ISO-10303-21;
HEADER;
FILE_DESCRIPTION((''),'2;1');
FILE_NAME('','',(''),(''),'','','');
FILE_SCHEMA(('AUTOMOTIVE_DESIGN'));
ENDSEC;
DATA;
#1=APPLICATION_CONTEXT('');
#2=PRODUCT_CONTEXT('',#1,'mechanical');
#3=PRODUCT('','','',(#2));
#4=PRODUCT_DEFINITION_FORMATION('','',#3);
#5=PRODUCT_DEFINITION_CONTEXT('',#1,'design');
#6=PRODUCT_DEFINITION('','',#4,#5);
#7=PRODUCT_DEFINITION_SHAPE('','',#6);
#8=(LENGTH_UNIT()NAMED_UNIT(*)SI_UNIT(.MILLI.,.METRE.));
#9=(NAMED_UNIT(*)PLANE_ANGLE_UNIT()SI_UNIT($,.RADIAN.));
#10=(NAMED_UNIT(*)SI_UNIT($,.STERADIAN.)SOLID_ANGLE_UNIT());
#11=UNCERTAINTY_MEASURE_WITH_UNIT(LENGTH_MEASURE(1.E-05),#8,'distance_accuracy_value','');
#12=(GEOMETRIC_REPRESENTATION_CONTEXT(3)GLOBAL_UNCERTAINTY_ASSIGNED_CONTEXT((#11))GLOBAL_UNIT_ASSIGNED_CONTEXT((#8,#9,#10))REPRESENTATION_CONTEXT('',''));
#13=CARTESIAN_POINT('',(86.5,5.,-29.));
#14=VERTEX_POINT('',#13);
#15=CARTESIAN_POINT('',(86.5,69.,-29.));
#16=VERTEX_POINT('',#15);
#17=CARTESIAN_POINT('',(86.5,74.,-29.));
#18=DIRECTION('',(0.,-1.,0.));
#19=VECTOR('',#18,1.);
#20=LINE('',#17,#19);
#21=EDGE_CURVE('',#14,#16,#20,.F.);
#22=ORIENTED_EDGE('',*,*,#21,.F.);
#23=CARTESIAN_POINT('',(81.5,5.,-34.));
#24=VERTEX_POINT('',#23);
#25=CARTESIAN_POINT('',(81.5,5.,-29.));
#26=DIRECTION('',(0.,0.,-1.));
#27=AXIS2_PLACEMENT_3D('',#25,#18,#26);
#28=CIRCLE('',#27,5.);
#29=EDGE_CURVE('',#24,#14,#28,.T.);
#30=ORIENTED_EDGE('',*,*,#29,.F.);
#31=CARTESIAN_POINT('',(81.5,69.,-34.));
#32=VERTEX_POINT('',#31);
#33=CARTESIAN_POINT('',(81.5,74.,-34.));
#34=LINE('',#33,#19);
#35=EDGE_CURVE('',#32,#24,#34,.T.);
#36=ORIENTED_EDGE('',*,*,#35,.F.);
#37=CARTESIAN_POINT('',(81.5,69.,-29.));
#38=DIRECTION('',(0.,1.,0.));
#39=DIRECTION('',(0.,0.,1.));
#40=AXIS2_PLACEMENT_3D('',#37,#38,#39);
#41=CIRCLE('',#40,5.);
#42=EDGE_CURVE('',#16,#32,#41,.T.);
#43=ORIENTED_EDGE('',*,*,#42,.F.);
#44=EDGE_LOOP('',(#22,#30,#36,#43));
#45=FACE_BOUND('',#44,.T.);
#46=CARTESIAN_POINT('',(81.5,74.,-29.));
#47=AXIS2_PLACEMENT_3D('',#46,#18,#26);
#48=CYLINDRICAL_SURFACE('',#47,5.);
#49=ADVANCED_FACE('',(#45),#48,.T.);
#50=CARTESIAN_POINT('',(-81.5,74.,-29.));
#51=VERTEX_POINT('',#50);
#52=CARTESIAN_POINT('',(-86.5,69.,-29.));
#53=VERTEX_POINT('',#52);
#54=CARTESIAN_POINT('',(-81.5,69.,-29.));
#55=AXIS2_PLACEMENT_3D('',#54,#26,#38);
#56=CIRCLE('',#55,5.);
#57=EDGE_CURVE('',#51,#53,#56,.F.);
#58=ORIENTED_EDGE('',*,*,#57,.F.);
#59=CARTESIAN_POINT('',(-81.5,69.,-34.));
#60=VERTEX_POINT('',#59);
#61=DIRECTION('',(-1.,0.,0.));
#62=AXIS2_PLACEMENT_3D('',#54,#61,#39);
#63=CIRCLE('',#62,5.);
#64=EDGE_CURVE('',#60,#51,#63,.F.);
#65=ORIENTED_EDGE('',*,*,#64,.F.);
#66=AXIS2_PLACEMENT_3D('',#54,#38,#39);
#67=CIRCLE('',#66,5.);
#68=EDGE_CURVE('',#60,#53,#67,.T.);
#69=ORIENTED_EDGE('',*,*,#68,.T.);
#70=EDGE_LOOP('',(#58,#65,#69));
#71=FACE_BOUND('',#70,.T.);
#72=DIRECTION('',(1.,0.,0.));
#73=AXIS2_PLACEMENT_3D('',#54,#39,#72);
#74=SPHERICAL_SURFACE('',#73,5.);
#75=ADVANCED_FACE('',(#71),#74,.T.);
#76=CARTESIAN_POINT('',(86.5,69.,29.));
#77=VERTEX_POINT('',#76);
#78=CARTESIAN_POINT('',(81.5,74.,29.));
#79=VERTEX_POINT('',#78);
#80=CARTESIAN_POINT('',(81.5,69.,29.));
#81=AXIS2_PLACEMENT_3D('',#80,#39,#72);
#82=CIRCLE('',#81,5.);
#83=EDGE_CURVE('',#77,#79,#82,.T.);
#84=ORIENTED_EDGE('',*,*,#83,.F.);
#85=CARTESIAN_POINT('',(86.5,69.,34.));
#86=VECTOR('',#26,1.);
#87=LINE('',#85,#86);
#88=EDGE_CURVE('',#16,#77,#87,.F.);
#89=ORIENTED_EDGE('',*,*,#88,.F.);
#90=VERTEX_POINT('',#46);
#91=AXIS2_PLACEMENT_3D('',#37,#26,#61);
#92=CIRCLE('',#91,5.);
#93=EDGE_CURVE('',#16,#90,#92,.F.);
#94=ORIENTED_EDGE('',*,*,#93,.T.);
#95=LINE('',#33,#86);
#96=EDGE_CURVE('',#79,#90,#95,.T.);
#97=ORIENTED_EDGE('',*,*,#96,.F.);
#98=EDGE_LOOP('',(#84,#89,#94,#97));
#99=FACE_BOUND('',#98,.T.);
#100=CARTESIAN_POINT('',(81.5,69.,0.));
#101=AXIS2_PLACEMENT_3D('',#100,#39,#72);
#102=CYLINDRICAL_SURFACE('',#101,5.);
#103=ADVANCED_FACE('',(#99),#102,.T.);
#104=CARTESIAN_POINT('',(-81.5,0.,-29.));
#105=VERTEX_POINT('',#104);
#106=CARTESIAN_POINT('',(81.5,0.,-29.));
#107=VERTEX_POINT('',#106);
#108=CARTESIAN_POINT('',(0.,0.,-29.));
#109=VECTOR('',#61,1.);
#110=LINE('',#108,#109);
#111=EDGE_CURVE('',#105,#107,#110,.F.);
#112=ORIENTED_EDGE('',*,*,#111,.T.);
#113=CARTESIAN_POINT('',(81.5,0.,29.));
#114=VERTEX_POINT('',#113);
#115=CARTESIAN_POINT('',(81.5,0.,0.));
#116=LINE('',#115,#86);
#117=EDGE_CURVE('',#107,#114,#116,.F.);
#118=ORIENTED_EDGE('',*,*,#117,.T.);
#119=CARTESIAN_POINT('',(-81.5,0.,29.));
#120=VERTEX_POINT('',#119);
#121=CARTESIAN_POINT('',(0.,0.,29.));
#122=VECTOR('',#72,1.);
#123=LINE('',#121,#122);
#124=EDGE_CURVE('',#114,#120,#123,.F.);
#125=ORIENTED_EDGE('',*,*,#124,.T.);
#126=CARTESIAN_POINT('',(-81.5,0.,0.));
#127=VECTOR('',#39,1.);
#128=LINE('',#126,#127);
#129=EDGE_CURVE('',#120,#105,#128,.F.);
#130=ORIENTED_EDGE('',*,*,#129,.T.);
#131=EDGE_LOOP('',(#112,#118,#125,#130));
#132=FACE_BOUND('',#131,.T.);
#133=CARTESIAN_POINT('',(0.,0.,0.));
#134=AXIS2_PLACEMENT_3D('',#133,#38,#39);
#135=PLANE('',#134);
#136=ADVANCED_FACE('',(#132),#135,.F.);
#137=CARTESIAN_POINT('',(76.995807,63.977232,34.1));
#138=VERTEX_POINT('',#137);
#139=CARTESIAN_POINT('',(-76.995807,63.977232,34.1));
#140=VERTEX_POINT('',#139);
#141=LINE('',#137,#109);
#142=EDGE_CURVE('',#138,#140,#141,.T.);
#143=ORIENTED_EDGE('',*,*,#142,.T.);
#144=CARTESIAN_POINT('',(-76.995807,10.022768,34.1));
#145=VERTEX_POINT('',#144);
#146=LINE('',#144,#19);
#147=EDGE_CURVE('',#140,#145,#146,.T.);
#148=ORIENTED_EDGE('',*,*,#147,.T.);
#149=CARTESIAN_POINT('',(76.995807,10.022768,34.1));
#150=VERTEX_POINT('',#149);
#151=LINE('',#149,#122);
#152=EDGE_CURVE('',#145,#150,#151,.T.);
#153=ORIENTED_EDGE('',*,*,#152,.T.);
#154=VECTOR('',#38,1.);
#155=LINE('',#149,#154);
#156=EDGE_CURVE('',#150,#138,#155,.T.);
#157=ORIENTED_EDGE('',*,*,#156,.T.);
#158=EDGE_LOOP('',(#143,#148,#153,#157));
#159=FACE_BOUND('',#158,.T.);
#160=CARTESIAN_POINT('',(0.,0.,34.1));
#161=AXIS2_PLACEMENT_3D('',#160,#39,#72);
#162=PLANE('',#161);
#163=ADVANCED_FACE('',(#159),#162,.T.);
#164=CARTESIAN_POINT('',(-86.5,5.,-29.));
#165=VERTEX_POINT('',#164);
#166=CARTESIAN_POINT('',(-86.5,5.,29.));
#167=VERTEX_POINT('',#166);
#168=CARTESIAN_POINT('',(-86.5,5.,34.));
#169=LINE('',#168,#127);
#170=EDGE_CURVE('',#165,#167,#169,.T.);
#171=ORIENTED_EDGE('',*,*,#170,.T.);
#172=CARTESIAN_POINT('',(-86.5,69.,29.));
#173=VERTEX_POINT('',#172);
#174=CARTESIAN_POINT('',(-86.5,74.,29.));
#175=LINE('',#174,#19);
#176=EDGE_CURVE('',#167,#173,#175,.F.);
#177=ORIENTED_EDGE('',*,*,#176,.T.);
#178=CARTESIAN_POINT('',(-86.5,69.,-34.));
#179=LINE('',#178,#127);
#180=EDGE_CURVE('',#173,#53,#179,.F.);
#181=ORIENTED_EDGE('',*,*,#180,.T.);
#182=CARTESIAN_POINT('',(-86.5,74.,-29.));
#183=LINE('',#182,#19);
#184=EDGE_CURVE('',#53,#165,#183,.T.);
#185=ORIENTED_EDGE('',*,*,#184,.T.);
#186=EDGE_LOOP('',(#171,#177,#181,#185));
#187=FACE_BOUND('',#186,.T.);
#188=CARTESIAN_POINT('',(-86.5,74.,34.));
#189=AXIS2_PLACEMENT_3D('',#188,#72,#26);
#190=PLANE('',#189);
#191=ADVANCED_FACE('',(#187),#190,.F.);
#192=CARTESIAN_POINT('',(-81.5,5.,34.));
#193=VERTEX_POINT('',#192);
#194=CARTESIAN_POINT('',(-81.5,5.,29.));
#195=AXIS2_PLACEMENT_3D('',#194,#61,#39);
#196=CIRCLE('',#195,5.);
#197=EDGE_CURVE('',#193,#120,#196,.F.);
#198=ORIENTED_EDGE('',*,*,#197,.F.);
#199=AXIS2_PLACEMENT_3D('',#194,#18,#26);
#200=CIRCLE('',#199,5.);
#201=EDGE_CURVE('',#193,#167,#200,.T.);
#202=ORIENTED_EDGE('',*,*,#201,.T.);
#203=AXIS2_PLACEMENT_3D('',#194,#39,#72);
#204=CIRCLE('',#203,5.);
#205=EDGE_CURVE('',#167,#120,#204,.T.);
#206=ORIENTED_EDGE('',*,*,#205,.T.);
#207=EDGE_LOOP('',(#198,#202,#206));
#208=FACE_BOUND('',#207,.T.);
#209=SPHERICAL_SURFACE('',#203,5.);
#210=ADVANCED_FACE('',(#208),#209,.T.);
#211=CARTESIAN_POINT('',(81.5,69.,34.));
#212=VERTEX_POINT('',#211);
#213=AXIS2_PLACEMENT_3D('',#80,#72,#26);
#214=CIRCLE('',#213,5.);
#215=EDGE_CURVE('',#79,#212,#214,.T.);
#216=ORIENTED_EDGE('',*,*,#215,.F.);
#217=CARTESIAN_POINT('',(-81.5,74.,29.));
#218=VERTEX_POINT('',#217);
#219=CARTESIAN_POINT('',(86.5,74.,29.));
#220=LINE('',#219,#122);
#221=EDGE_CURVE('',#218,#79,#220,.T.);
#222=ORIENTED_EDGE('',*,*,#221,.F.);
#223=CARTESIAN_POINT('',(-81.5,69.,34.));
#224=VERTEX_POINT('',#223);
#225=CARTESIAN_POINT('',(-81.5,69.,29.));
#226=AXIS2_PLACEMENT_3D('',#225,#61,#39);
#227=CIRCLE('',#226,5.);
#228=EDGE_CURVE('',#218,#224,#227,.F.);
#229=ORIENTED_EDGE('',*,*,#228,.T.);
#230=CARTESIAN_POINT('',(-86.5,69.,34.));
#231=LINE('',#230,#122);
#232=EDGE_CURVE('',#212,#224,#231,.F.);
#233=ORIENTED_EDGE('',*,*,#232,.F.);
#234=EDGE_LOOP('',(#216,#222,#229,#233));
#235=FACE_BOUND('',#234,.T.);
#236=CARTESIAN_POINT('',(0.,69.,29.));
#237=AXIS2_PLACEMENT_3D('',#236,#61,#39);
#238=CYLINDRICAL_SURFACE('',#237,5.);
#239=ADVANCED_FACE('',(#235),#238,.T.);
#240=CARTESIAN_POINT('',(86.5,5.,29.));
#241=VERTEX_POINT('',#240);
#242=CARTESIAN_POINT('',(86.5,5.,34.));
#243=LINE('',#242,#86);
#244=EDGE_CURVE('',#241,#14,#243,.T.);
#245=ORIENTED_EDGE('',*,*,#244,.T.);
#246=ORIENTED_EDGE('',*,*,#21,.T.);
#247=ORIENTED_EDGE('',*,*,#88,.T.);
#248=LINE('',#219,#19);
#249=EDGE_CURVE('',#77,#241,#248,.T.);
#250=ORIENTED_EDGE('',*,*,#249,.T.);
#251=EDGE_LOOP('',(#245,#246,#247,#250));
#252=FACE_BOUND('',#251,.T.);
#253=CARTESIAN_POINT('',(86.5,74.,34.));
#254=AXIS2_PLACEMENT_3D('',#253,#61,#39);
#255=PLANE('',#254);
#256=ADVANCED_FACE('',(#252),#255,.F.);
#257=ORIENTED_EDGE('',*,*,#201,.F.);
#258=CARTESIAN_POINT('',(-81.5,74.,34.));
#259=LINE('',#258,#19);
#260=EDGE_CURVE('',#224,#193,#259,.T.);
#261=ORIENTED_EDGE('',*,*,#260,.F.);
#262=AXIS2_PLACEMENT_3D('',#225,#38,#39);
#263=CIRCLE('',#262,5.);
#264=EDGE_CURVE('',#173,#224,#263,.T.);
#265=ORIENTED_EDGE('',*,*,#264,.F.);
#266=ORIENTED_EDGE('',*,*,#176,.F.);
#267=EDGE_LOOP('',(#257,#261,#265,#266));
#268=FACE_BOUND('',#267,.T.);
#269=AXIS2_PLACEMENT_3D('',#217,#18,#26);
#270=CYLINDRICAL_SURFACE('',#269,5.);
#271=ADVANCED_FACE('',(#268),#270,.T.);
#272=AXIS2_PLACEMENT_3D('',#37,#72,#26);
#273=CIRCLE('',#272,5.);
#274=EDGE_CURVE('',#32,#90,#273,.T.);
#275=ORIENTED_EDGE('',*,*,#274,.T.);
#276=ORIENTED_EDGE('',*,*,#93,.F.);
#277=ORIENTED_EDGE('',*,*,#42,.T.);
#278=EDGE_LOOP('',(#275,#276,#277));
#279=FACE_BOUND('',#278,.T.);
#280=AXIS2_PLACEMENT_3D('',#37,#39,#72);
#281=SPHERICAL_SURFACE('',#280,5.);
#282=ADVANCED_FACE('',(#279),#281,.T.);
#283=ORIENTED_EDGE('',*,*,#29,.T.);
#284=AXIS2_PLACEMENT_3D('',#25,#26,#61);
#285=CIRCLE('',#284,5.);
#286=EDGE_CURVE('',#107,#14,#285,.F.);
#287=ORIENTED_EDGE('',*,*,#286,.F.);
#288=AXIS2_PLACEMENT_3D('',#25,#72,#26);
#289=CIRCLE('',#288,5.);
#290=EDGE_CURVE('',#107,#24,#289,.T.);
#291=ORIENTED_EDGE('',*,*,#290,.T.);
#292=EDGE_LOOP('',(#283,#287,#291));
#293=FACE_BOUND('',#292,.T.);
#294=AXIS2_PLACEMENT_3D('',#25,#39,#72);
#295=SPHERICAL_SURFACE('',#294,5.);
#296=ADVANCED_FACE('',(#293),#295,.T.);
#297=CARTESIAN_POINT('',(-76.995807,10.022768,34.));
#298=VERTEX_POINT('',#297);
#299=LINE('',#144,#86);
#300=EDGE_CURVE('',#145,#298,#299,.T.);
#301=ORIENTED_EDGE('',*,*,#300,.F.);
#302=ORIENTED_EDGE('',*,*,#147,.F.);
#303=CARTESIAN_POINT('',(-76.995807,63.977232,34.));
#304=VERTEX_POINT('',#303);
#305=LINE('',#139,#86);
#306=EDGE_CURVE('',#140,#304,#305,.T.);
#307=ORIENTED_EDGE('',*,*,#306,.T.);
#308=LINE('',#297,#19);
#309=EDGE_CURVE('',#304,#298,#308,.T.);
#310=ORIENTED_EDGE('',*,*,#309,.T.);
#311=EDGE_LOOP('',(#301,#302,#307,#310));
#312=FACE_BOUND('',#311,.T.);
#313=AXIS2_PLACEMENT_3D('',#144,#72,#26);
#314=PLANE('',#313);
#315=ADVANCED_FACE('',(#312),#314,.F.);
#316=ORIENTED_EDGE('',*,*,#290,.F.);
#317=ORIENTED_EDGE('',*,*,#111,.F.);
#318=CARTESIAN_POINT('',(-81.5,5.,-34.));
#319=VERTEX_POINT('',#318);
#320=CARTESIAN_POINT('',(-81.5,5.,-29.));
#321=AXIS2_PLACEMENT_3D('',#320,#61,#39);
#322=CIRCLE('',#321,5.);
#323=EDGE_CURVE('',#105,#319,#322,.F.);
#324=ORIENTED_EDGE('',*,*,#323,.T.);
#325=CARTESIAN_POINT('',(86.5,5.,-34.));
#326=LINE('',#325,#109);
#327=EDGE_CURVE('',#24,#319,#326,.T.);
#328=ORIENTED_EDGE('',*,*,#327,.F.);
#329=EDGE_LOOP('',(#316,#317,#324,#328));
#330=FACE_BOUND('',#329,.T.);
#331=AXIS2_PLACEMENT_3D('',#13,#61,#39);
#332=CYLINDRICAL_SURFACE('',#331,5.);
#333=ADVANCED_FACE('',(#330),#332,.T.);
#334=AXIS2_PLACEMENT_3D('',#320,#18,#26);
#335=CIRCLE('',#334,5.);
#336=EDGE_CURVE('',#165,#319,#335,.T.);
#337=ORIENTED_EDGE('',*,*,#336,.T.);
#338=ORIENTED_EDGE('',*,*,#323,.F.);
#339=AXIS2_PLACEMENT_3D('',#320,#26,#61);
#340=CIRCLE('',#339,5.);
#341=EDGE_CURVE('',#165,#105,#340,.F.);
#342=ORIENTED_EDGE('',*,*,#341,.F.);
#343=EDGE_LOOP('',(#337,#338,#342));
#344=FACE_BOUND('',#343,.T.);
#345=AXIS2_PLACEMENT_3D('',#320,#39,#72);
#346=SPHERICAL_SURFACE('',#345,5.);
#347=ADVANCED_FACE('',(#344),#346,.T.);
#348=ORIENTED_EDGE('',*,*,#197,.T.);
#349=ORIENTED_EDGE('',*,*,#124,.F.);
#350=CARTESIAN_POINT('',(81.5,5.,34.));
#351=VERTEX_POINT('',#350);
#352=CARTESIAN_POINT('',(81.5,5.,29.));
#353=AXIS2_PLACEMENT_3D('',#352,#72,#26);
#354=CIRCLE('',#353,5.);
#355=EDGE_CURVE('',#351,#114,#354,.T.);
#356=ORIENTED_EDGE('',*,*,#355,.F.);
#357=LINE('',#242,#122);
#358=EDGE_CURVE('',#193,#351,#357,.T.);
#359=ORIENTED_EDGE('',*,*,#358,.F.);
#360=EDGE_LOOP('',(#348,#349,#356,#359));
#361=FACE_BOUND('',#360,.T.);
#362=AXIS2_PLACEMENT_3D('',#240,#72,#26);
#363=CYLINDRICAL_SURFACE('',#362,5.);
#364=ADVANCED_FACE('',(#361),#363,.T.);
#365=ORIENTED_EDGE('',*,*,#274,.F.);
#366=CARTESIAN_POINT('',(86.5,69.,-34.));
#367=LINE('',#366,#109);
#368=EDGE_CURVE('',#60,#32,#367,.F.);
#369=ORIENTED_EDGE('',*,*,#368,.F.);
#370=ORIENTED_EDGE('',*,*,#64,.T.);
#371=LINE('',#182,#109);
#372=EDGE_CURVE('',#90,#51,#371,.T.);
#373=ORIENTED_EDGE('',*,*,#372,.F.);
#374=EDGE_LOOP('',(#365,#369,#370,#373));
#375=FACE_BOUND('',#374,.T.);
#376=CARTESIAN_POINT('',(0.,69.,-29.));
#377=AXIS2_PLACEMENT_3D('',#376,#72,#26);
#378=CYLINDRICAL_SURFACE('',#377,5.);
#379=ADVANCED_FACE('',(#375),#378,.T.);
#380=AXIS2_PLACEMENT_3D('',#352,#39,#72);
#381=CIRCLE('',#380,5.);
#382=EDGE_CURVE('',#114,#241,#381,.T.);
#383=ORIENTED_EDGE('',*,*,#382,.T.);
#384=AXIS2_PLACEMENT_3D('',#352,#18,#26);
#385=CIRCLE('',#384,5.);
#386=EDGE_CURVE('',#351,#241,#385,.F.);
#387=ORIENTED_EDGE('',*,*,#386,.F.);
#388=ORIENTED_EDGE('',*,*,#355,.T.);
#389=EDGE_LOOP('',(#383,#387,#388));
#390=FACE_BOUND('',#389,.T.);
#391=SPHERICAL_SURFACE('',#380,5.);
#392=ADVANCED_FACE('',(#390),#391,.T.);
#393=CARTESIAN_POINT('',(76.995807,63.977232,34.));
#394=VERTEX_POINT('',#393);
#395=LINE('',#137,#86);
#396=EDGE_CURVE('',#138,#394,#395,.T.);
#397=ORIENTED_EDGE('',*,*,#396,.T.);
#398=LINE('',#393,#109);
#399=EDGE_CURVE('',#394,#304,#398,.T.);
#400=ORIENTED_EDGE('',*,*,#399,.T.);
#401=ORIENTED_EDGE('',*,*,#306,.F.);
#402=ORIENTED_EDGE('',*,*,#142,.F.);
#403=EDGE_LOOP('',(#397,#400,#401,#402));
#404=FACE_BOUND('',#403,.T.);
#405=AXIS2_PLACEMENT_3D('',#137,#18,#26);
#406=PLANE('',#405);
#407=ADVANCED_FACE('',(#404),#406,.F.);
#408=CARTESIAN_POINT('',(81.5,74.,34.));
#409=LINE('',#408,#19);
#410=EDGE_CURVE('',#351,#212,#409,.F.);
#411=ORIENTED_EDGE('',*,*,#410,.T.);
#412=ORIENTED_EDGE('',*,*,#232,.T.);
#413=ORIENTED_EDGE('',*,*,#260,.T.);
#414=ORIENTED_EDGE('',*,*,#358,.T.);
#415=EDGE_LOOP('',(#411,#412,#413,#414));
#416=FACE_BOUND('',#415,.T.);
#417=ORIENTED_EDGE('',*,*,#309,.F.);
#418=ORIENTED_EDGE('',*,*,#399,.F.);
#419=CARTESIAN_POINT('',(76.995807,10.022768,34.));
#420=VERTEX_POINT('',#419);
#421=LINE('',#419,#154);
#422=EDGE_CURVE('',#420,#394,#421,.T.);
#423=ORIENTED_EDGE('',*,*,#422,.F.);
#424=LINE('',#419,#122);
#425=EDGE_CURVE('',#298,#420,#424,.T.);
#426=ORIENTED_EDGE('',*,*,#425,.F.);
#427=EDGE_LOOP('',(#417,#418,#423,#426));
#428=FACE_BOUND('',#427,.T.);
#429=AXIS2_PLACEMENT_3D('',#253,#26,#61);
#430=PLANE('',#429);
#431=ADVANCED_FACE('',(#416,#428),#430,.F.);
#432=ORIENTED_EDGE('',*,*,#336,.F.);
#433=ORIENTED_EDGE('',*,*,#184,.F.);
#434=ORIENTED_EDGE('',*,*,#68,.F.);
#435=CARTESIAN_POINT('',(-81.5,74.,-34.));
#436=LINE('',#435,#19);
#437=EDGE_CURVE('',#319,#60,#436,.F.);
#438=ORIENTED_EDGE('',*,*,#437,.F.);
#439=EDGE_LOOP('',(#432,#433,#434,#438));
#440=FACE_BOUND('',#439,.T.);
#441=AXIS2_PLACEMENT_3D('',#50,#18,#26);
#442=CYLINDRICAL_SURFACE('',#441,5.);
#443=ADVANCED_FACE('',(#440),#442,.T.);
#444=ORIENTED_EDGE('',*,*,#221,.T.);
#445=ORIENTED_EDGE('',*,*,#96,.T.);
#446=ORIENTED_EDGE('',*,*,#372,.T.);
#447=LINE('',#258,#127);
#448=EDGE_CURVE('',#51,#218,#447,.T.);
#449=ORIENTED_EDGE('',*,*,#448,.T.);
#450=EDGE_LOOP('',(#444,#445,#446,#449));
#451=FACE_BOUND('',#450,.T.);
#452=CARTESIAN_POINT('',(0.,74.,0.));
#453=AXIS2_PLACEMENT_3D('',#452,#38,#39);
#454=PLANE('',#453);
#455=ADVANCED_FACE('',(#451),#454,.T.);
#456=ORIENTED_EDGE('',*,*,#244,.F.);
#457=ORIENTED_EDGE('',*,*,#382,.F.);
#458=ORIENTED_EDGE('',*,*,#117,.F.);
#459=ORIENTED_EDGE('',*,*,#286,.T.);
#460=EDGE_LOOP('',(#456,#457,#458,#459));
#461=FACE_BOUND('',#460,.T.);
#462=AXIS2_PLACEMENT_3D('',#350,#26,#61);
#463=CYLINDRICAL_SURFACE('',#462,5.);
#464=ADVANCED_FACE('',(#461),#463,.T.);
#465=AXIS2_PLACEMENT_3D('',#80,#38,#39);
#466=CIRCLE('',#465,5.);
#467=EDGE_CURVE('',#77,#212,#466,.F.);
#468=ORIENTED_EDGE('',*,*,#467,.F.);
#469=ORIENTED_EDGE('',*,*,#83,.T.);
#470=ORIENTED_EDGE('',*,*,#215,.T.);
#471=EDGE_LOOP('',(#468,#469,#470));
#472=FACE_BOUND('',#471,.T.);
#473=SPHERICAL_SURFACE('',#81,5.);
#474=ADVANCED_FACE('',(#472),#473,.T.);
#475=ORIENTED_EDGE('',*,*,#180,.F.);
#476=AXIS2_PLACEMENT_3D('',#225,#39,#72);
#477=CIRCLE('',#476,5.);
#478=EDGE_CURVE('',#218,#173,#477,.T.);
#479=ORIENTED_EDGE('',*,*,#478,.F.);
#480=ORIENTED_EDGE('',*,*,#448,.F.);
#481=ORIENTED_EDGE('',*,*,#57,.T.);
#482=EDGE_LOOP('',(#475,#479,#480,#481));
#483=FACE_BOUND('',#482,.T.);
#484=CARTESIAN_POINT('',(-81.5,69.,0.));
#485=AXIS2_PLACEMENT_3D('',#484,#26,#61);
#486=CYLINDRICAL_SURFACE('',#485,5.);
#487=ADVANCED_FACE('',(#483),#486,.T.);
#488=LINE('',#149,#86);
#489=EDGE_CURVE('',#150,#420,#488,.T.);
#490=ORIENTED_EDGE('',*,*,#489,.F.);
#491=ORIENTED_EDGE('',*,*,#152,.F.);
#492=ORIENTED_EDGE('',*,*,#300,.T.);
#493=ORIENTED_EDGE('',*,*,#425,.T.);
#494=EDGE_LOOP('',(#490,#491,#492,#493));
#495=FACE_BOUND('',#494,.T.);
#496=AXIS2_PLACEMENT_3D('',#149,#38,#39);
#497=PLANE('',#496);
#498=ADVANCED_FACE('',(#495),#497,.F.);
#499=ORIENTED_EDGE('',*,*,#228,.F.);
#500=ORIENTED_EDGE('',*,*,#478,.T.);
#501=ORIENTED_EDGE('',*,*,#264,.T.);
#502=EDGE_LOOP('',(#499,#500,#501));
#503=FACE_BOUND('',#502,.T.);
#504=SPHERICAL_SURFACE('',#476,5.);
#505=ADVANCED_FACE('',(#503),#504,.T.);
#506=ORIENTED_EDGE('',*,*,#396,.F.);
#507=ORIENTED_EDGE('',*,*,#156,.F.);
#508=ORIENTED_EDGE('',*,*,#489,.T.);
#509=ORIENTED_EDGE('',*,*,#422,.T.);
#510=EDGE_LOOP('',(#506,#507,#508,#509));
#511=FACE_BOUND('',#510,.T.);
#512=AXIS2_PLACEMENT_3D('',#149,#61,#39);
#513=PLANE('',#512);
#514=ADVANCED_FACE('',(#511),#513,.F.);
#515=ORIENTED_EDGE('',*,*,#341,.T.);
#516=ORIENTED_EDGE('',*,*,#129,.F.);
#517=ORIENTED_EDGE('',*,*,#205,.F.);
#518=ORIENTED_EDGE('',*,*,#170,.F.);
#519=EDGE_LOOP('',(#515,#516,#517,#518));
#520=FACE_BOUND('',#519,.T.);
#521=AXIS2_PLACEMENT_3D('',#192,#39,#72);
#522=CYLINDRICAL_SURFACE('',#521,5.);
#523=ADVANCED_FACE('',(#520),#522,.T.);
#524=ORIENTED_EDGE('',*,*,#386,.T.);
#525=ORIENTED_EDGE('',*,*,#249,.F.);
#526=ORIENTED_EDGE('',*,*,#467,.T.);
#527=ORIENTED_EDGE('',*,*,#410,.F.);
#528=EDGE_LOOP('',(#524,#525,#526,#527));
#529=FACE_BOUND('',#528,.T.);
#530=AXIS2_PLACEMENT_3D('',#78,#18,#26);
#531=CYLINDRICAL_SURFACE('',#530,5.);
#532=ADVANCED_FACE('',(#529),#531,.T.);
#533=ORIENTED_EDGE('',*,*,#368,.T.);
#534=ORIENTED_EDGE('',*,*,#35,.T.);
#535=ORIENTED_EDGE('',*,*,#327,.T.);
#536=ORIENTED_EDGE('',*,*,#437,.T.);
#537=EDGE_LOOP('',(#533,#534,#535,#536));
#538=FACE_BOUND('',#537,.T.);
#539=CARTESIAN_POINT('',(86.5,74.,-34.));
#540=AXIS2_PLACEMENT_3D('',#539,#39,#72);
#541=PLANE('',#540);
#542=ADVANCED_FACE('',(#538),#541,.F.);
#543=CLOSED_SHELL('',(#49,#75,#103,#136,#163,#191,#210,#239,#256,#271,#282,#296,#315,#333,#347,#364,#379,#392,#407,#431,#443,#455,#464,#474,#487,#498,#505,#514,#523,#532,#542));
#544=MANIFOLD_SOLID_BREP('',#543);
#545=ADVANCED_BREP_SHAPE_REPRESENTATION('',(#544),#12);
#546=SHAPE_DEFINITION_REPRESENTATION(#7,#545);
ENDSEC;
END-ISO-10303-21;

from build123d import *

# Parameters (mm, degrees)
SKETCH1_W           = 173
SKETCH1_H           = 68
BOSS_EXTRUDE1_DEPTH = 74
FILLET1_R           = 5
SKETCH2_W           = 153.991614826
SKETCH2_H           = 53.954463554
BOSS_EXTRUDE2_DEPTH = 0.1


with BuildPart() as part:
    # Sketch1 → Boss-Extrude1 (new body)
    with BuildSketch(Plane(origin=(0, 0, 0), x_dir=(1, 0, 0), z_dir=(0, 1, 0))):
        Rectangle(SKETCH1_W, SKETCH1_H)
    extrude(amount=BOSS_EXTRUDE1_DEPTH)

    # Fillet1
    fillet1_edges = [part.edges().sort_by_distance(p)[0] for p in [
        (86.5, 74, 0),
        (0, 74, -34),
        (-86.5, 74, 0),
        (0, 0, -34),
        (86.5, 0, 0),
        (0, 0, 34),
        (-86.5, 0, 0),
        (0, 74, 34),
        (-86.5, 37, -34),
        (86.5, 37, -34),
        (86.5, 37, 34),
        (-86.5, 37, 34),
    ]]
    fillet(fillet1_edges, radius=FILLET1_R)

    # Sketch2 → Boss-Extrude2 (add)
    with BuildSketch(Plane.XY.offset(34)):
        with Locations((0, 37)):
            Rectangle(SKETCH2_W, SKETCH2_H)
    extrude(amount=BOSS_EXTRUDE2_DEPTH)


solid = part.part
